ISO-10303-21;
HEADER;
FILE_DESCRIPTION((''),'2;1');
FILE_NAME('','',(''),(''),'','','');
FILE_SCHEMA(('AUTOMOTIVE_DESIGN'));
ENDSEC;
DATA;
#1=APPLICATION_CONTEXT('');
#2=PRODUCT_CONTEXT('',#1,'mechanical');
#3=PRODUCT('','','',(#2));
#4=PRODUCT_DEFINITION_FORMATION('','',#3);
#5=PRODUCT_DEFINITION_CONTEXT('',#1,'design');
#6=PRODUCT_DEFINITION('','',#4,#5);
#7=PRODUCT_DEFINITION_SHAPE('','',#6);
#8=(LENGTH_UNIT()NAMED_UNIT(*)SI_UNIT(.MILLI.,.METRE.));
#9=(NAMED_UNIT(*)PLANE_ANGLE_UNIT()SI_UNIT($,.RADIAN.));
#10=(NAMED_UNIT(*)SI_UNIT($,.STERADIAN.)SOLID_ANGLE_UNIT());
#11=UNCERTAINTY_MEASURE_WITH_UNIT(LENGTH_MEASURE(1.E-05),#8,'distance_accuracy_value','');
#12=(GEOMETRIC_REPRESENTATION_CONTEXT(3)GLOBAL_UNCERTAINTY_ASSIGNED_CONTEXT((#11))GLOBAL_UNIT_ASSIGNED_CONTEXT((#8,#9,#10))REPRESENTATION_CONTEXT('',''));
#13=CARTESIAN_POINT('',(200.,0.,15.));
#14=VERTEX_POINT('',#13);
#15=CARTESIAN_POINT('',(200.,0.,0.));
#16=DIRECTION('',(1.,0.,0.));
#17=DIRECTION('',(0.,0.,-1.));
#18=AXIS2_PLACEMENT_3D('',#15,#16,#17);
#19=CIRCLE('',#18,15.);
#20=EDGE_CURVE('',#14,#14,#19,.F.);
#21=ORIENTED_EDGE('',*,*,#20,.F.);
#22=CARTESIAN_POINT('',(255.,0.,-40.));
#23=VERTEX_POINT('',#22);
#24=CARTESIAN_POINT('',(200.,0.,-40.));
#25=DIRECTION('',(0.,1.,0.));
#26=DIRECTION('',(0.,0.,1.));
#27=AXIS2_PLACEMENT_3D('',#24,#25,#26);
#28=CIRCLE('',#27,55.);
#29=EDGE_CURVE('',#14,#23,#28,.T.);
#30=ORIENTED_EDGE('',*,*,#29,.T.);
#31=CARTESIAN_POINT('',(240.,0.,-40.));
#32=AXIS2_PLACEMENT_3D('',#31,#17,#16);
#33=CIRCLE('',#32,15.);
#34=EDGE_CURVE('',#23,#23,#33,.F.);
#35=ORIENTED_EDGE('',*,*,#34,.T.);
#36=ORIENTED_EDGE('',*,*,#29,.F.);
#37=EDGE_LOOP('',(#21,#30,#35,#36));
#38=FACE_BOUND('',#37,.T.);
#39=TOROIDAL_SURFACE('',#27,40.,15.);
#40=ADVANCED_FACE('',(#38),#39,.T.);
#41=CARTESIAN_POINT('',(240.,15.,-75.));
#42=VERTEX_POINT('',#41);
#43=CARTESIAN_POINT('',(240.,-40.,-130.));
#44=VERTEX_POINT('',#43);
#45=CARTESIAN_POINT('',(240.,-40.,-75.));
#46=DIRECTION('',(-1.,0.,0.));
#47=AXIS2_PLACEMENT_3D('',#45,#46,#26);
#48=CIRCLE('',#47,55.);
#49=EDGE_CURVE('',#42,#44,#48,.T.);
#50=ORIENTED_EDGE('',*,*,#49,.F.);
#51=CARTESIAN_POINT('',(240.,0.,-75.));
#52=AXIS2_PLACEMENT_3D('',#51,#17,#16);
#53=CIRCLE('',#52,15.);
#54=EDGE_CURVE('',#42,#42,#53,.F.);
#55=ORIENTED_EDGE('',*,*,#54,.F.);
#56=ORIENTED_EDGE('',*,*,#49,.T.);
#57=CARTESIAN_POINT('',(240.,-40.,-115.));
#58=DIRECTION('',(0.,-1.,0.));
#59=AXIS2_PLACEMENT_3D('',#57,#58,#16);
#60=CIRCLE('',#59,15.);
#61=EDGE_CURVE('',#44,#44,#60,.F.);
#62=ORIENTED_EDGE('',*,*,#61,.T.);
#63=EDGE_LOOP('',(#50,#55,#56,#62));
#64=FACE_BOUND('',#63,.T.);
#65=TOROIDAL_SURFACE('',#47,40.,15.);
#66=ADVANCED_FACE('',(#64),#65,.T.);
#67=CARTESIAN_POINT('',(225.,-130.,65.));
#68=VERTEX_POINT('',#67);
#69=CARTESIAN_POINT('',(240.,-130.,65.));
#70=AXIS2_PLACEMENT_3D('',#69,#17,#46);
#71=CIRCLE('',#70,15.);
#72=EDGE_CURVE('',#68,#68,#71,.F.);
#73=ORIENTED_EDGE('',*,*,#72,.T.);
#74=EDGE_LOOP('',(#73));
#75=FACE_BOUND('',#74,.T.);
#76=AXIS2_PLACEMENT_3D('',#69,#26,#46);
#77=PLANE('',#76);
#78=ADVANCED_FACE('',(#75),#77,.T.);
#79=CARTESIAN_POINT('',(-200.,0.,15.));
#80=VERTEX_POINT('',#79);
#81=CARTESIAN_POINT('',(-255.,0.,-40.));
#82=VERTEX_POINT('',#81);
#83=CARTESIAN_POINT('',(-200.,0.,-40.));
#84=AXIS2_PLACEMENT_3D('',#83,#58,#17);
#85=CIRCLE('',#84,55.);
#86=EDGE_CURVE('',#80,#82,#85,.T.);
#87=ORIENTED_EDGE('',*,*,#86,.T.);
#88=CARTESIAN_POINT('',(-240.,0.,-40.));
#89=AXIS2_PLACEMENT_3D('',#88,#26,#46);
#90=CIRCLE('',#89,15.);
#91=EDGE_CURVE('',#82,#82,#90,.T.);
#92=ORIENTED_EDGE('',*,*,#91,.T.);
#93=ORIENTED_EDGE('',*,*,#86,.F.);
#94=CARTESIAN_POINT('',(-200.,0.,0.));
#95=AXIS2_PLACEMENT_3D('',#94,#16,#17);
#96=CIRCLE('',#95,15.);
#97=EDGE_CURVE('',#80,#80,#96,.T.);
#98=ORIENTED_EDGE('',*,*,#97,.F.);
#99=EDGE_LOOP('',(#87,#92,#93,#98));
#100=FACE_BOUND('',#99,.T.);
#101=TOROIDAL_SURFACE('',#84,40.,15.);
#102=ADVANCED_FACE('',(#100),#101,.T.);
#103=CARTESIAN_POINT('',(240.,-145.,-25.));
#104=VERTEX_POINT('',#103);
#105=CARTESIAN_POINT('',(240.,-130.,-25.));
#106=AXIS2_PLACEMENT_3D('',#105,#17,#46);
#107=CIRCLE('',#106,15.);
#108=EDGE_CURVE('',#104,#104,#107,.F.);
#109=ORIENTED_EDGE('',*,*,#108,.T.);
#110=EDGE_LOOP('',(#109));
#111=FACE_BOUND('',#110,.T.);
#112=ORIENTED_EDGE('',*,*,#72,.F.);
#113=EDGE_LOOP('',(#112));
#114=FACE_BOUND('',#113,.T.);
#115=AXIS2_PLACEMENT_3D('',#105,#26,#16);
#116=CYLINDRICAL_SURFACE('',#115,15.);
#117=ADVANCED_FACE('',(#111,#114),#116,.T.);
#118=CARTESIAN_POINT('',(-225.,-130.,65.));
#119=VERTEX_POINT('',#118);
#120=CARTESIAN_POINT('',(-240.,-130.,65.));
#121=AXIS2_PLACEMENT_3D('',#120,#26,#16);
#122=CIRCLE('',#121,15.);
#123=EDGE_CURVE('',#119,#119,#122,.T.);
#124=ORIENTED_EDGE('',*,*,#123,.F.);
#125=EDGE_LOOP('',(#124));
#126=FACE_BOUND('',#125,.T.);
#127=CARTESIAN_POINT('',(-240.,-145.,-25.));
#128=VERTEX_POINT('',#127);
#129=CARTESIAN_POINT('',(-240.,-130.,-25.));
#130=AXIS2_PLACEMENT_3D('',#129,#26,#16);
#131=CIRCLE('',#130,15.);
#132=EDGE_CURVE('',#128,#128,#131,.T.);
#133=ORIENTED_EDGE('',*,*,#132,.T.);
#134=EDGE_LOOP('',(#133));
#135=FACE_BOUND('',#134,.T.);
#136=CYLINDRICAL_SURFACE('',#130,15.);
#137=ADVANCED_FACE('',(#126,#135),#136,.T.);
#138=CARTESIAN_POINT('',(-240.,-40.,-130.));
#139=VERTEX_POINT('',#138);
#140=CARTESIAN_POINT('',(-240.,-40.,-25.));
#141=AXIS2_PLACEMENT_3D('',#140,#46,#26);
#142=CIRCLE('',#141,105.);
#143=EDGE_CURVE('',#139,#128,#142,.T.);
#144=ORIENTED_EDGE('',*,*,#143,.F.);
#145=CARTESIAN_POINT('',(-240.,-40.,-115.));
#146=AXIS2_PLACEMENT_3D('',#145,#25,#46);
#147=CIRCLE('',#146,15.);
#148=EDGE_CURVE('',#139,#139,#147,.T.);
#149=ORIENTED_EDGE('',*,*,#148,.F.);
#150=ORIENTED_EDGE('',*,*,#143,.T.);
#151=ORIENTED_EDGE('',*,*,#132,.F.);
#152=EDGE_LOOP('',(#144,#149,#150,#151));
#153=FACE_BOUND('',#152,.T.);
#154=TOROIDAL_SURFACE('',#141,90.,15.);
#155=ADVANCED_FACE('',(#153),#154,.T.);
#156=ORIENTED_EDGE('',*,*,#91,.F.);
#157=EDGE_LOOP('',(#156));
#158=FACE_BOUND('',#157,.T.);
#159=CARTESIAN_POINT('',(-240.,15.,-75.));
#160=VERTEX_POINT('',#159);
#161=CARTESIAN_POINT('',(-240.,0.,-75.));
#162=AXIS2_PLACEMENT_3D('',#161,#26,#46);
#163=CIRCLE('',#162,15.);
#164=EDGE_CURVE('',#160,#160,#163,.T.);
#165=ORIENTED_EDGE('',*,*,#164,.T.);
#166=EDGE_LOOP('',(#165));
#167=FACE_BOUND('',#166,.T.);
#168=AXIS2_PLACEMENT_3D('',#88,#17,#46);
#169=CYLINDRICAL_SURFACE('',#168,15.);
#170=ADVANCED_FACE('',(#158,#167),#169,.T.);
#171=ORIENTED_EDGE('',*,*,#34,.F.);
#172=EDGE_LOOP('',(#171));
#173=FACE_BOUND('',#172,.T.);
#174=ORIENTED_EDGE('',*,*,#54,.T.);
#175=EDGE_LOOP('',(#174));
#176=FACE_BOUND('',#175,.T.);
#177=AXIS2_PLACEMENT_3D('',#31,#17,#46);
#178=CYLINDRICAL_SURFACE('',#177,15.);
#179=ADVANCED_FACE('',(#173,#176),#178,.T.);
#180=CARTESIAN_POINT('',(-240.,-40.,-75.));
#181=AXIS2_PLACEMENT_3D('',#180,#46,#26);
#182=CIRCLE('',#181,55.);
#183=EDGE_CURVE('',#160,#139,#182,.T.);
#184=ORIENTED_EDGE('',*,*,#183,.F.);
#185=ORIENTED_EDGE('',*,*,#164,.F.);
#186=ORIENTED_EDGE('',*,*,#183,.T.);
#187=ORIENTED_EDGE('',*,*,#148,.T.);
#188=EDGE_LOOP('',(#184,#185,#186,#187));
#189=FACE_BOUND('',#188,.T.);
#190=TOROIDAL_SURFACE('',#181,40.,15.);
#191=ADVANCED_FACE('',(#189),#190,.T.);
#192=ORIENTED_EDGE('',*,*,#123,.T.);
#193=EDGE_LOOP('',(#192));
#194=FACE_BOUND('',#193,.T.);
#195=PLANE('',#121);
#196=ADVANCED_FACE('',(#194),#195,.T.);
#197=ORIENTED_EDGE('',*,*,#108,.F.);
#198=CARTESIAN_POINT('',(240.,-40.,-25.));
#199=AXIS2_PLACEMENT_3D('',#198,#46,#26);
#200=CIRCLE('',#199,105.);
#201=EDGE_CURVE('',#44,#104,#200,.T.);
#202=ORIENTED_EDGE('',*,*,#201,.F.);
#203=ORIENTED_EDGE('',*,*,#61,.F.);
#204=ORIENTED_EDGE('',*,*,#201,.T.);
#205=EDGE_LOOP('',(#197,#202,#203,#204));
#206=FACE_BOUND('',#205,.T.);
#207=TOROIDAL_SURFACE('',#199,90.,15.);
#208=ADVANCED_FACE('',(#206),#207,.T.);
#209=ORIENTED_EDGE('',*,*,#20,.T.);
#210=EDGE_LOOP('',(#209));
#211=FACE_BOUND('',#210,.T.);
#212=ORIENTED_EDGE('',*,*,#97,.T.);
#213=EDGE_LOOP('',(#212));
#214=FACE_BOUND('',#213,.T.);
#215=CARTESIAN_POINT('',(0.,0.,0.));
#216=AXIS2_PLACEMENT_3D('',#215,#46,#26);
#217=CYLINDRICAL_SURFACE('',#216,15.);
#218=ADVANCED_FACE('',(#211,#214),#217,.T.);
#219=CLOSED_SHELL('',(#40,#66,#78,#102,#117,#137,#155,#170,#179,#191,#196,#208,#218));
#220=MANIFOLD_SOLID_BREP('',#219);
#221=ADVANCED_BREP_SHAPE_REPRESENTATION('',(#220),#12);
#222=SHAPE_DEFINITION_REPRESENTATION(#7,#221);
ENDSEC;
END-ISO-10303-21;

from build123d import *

# Parameters (mm, degrees)
SWEEP4_PROFILE_R = 15
SWEEP5_PROFILE_R = 15
SWEEP6_PROFILE_R = 15


with BuildPart() as part:
    # Sweep4: sweep along a path in Sketch1
    with BuildLine(Plane(origin=(0, 0, 0), x_dir=(1, 0, 0), z_dir=(0, 1, 0))) as sweep4_path:
        Line((0, 0), (-200, 0))
        ThreePointArc((-200, 0), (-228.284271247, 11.715728753), (-240, 40))
    # Sweep4 profile (on start of the path) → Sweep4 (sweep)
    with BuildSketch(Plane(origin=(0, 0, 0), x_dir=(0, 0, -1), z_dir=(-1, 0, 0))):
        Circle(SWEEP4_PROFILE_R)
    sweep4 = sweep(path=sweep4_path.line)

    # Sweep5: sweep along a path in Sketch2
    with BuildLine(Plane(origin=(-240, 0, 0), x_dir=(0, 0, -1), z_dir=(1, 0, 0))) as sweep5_path:
        Line((40, 0), (75, 0))
        ThreePointArc((75, 0), (103.284271247, -11.715728753), (115, -40))
        ThreePointArc((115, -40), (88.639610307, -103.639610307), (25, -130))
    # Sweep5 profile (on start of the path) → Sweep5 (sweep)
    with BuildSketch(Plane(origin=(-240, 0, -40), x_dir=(-1, 0, 0), z_dir=(0, 0, -1))):
        Circle(SWEEP5_PROFILE_R)
    sweep5 = sweep(path=sweep5_path.line)

    # Sweep6: sweep along a path in Sketch3
    with BuildLine(Plane(origin=(-240, 0, 0), x_dir=(0, 0, -1), z_dir=(1, 0, 0))) as sweep6_path:
        Line((25, -130), (-65, -130))
    # Sweep6 profile (on start of the path) → Sweep6 (sweep)
    with BuildSketch(Plane(origin=(-240, -130, -25), x_dir=(1, 0, 0), z_dir=(0, 0, 1))):
        Circle(SWEEP6_PROFILE_R)
    sweep6 = sweep(path=sweep6_path.line)

    # Mirror1: Sweep4, Sweep5, Sweep6 across plane
    add(sweep4.mirror(Plane(origin=(0, 0, 0), x_dir=(0, 0, 1), z_dir=(1, 0, 0))))
    add(sweep5.mirror(Plane(origin=(0, 0, 0), x_dir=(0, 0, 1), z_dir=(1, 0, 0))))
    add(sweep6.mirror(Plane(origin=(0, 0, 0), x_dir=(0, 0, 1), z_dir=(1, 0, 0))))


solid = part.part
